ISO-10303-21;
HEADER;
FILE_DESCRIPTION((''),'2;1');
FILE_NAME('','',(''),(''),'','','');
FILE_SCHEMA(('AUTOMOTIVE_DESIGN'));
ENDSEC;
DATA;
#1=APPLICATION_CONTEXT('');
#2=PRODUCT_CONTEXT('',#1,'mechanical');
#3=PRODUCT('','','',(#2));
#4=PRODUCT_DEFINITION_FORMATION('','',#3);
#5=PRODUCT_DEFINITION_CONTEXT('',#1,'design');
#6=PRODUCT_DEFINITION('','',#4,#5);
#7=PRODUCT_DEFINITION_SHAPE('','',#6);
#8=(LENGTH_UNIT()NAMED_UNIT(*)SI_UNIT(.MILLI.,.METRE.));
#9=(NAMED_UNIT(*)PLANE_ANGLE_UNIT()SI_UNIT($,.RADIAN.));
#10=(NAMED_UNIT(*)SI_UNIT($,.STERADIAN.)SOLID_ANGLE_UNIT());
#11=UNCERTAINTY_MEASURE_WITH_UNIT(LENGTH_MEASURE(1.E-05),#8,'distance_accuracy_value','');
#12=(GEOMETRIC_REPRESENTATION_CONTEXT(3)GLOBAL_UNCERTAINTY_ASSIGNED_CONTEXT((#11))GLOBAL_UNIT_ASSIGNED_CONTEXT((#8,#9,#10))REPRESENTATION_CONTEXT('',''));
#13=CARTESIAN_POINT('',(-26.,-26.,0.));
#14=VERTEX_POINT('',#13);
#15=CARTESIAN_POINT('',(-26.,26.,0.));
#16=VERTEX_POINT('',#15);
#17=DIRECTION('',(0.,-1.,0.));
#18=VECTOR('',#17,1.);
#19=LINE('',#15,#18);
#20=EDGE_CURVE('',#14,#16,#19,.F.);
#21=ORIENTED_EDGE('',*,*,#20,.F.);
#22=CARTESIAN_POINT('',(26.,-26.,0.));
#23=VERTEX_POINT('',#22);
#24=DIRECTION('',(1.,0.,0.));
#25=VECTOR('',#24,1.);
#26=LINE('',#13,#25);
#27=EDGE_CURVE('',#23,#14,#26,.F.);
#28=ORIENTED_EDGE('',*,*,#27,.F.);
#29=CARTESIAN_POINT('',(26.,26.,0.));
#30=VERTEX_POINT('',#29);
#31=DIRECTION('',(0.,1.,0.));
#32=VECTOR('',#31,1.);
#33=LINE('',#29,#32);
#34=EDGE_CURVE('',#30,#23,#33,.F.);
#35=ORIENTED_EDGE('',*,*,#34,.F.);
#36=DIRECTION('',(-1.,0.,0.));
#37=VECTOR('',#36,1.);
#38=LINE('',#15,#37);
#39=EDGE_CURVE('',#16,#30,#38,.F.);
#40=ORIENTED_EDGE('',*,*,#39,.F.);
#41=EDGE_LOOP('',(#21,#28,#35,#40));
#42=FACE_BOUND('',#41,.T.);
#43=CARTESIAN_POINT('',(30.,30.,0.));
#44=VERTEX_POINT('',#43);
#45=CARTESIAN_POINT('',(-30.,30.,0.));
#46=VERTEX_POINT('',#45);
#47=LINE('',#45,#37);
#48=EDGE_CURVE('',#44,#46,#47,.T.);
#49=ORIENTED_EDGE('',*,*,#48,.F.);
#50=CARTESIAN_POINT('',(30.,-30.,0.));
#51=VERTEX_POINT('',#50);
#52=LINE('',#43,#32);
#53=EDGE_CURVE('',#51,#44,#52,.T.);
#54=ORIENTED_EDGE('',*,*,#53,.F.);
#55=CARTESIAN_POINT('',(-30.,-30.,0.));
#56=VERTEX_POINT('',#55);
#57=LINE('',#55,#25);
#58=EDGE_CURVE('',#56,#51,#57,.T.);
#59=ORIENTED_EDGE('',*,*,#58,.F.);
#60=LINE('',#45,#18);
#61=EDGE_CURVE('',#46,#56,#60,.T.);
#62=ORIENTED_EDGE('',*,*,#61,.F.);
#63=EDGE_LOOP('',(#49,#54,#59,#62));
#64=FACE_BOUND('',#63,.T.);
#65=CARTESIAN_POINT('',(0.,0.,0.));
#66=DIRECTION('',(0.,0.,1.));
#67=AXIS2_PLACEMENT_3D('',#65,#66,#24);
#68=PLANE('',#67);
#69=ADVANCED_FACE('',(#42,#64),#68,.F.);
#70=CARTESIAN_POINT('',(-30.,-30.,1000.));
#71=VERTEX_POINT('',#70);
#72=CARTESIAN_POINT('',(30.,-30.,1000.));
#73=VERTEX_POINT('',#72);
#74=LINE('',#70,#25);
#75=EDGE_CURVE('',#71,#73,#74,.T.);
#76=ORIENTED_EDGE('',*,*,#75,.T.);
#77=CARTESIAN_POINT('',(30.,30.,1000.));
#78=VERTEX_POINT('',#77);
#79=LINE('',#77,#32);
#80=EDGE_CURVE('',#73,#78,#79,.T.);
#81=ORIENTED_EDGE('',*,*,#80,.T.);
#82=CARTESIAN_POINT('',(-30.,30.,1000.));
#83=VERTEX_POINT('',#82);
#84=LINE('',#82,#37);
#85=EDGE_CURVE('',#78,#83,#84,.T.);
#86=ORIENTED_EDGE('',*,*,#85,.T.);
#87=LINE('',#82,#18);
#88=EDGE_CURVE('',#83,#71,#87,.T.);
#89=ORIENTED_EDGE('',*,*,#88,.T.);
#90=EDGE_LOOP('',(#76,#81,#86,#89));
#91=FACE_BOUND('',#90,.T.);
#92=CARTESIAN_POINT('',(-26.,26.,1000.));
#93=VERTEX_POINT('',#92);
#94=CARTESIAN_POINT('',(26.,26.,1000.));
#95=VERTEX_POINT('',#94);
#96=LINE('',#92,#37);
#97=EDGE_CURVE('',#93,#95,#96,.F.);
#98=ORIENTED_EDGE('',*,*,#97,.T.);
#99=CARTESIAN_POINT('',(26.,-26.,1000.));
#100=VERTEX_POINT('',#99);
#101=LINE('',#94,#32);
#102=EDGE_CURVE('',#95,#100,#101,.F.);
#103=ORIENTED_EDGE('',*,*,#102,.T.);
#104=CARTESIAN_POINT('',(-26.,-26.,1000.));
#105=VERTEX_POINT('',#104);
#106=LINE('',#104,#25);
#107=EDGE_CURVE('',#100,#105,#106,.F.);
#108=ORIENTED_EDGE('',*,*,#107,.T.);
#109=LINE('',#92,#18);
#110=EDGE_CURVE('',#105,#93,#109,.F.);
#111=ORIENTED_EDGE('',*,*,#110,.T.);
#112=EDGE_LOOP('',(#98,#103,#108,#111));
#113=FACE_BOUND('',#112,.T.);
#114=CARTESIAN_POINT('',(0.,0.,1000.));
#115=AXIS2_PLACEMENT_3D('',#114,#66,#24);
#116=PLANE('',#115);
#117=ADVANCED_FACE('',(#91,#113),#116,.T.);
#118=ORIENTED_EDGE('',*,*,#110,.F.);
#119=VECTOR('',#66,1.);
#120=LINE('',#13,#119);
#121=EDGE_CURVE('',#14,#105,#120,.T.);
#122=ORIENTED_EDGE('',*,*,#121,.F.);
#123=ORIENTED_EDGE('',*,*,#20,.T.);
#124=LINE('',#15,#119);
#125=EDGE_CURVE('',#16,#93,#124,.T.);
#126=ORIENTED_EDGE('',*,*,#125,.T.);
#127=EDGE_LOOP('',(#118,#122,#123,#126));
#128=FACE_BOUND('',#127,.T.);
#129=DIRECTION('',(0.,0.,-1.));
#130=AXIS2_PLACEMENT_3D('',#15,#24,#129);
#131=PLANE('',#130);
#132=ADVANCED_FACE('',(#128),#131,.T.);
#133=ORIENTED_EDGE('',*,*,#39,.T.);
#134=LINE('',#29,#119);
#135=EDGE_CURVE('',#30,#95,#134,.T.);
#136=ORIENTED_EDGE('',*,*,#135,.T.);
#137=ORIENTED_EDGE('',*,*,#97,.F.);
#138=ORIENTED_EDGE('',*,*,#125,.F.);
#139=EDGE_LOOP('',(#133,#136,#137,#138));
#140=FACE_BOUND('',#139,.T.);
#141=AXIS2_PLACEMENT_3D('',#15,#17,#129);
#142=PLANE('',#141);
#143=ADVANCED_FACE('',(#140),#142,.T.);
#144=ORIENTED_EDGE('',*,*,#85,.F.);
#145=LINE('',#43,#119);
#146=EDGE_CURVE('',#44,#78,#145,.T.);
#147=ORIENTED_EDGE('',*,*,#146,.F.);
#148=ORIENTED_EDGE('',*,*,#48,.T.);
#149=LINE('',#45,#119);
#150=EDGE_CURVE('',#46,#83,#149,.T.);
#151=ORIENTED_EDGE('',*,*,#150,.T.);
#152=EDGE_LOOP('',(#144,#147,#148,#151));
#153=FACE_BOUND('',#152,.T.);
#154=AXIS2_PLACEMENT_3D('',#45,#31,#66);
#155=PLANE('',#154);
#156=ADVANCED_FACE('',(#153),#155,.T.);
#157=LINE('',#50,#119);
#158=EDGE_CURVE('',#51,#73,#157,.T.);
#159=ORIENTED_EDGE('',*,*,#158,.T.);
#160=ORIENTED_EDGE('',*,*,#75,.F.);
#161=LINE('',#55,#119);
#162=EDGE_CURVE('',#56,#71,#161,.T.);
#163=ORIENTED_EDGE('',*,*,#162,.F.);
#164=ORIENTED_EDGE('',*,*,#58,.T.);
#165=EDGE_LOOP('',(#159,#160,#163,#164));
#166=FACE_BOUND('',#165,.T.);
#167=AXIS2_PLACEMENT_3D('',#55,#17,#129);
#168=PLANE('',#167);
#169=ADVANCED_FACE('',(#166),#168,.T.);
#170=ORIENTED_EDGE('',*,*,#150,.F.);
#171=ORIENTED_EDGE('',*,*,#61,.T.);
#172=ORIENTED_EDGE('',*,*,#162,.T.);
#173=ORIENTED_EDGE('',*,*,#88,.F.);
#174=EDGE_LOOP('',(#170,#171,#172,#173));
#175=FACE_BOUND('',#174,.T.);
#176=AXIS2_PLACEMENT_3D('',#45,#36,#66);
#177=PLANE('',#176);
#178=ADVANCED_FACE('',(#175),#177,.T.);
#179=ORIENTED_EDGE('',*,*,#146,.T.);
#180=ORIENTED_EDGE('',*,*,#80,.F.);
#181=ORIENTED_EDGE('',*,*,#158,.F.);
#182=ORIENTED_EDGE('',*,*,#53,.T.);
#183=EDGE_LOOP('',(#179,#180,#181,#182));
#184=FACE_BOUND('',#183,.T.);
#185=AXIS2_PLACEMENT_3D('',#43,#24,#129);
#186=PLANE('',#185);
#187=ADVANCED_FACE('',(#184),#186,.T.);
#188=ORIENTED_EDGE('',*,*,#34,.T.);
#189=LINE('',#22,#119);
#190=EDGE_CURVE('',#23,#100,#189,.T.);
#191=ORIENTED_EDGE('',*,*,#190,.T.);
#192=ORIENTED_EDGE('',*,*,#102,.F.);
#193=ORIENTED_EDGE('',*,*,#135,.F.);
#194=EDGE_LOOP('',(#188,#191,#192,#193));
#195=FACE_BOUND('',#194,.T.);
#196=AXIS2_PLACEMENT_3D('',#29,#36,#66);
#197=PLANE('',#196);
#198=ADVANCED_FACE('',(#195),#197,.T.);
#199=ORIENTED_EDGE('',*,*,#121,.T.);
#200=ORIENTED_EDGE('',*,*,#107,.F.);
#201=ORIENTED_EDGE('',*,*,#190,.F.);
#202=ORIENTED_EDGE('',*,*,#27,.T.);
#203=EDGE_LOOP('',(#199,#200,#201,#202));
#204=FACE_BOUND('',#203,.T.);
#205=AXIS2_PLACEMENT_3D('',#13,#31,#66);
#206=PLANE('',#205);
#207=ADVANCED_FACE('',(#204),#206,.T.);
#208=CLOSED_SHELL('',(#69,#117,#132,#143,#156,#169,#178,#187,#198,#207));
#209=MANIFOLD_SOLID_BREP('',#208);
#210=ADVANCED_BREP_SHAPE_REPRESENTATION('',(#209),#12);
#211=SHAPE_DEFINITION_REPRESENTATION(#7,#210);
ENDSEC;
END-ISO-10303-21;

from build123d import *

# Parameters (mm, degrees)
SKETCH1_W   = 60
SKETCH1_H   = 60
SKETCH1_W_2 = 52
SKETCH1_H_2 = 52


with BuildPart() as part:
    # Sweep1: sweep along a curve in space
    with BuildLine() as sweep1_path:
        add(Edge.make_bspline(
            [(0, 0, 0), (0, 0, 1000)],
            knots=[0, 0, 1, 1], degree=1))
    # Sketch1 → Sweep1 (sweep)
    with BuildSketch(Plane.XY):
        Rectangle(SKETCH1_W, SKETCH1_H)
        Rectangle(SKETCH1_W_2, SKETCH1_H_2, mode=Mode.SUBTRACT)
    sweep(path=sweep1_path.line)


solid = part.part
